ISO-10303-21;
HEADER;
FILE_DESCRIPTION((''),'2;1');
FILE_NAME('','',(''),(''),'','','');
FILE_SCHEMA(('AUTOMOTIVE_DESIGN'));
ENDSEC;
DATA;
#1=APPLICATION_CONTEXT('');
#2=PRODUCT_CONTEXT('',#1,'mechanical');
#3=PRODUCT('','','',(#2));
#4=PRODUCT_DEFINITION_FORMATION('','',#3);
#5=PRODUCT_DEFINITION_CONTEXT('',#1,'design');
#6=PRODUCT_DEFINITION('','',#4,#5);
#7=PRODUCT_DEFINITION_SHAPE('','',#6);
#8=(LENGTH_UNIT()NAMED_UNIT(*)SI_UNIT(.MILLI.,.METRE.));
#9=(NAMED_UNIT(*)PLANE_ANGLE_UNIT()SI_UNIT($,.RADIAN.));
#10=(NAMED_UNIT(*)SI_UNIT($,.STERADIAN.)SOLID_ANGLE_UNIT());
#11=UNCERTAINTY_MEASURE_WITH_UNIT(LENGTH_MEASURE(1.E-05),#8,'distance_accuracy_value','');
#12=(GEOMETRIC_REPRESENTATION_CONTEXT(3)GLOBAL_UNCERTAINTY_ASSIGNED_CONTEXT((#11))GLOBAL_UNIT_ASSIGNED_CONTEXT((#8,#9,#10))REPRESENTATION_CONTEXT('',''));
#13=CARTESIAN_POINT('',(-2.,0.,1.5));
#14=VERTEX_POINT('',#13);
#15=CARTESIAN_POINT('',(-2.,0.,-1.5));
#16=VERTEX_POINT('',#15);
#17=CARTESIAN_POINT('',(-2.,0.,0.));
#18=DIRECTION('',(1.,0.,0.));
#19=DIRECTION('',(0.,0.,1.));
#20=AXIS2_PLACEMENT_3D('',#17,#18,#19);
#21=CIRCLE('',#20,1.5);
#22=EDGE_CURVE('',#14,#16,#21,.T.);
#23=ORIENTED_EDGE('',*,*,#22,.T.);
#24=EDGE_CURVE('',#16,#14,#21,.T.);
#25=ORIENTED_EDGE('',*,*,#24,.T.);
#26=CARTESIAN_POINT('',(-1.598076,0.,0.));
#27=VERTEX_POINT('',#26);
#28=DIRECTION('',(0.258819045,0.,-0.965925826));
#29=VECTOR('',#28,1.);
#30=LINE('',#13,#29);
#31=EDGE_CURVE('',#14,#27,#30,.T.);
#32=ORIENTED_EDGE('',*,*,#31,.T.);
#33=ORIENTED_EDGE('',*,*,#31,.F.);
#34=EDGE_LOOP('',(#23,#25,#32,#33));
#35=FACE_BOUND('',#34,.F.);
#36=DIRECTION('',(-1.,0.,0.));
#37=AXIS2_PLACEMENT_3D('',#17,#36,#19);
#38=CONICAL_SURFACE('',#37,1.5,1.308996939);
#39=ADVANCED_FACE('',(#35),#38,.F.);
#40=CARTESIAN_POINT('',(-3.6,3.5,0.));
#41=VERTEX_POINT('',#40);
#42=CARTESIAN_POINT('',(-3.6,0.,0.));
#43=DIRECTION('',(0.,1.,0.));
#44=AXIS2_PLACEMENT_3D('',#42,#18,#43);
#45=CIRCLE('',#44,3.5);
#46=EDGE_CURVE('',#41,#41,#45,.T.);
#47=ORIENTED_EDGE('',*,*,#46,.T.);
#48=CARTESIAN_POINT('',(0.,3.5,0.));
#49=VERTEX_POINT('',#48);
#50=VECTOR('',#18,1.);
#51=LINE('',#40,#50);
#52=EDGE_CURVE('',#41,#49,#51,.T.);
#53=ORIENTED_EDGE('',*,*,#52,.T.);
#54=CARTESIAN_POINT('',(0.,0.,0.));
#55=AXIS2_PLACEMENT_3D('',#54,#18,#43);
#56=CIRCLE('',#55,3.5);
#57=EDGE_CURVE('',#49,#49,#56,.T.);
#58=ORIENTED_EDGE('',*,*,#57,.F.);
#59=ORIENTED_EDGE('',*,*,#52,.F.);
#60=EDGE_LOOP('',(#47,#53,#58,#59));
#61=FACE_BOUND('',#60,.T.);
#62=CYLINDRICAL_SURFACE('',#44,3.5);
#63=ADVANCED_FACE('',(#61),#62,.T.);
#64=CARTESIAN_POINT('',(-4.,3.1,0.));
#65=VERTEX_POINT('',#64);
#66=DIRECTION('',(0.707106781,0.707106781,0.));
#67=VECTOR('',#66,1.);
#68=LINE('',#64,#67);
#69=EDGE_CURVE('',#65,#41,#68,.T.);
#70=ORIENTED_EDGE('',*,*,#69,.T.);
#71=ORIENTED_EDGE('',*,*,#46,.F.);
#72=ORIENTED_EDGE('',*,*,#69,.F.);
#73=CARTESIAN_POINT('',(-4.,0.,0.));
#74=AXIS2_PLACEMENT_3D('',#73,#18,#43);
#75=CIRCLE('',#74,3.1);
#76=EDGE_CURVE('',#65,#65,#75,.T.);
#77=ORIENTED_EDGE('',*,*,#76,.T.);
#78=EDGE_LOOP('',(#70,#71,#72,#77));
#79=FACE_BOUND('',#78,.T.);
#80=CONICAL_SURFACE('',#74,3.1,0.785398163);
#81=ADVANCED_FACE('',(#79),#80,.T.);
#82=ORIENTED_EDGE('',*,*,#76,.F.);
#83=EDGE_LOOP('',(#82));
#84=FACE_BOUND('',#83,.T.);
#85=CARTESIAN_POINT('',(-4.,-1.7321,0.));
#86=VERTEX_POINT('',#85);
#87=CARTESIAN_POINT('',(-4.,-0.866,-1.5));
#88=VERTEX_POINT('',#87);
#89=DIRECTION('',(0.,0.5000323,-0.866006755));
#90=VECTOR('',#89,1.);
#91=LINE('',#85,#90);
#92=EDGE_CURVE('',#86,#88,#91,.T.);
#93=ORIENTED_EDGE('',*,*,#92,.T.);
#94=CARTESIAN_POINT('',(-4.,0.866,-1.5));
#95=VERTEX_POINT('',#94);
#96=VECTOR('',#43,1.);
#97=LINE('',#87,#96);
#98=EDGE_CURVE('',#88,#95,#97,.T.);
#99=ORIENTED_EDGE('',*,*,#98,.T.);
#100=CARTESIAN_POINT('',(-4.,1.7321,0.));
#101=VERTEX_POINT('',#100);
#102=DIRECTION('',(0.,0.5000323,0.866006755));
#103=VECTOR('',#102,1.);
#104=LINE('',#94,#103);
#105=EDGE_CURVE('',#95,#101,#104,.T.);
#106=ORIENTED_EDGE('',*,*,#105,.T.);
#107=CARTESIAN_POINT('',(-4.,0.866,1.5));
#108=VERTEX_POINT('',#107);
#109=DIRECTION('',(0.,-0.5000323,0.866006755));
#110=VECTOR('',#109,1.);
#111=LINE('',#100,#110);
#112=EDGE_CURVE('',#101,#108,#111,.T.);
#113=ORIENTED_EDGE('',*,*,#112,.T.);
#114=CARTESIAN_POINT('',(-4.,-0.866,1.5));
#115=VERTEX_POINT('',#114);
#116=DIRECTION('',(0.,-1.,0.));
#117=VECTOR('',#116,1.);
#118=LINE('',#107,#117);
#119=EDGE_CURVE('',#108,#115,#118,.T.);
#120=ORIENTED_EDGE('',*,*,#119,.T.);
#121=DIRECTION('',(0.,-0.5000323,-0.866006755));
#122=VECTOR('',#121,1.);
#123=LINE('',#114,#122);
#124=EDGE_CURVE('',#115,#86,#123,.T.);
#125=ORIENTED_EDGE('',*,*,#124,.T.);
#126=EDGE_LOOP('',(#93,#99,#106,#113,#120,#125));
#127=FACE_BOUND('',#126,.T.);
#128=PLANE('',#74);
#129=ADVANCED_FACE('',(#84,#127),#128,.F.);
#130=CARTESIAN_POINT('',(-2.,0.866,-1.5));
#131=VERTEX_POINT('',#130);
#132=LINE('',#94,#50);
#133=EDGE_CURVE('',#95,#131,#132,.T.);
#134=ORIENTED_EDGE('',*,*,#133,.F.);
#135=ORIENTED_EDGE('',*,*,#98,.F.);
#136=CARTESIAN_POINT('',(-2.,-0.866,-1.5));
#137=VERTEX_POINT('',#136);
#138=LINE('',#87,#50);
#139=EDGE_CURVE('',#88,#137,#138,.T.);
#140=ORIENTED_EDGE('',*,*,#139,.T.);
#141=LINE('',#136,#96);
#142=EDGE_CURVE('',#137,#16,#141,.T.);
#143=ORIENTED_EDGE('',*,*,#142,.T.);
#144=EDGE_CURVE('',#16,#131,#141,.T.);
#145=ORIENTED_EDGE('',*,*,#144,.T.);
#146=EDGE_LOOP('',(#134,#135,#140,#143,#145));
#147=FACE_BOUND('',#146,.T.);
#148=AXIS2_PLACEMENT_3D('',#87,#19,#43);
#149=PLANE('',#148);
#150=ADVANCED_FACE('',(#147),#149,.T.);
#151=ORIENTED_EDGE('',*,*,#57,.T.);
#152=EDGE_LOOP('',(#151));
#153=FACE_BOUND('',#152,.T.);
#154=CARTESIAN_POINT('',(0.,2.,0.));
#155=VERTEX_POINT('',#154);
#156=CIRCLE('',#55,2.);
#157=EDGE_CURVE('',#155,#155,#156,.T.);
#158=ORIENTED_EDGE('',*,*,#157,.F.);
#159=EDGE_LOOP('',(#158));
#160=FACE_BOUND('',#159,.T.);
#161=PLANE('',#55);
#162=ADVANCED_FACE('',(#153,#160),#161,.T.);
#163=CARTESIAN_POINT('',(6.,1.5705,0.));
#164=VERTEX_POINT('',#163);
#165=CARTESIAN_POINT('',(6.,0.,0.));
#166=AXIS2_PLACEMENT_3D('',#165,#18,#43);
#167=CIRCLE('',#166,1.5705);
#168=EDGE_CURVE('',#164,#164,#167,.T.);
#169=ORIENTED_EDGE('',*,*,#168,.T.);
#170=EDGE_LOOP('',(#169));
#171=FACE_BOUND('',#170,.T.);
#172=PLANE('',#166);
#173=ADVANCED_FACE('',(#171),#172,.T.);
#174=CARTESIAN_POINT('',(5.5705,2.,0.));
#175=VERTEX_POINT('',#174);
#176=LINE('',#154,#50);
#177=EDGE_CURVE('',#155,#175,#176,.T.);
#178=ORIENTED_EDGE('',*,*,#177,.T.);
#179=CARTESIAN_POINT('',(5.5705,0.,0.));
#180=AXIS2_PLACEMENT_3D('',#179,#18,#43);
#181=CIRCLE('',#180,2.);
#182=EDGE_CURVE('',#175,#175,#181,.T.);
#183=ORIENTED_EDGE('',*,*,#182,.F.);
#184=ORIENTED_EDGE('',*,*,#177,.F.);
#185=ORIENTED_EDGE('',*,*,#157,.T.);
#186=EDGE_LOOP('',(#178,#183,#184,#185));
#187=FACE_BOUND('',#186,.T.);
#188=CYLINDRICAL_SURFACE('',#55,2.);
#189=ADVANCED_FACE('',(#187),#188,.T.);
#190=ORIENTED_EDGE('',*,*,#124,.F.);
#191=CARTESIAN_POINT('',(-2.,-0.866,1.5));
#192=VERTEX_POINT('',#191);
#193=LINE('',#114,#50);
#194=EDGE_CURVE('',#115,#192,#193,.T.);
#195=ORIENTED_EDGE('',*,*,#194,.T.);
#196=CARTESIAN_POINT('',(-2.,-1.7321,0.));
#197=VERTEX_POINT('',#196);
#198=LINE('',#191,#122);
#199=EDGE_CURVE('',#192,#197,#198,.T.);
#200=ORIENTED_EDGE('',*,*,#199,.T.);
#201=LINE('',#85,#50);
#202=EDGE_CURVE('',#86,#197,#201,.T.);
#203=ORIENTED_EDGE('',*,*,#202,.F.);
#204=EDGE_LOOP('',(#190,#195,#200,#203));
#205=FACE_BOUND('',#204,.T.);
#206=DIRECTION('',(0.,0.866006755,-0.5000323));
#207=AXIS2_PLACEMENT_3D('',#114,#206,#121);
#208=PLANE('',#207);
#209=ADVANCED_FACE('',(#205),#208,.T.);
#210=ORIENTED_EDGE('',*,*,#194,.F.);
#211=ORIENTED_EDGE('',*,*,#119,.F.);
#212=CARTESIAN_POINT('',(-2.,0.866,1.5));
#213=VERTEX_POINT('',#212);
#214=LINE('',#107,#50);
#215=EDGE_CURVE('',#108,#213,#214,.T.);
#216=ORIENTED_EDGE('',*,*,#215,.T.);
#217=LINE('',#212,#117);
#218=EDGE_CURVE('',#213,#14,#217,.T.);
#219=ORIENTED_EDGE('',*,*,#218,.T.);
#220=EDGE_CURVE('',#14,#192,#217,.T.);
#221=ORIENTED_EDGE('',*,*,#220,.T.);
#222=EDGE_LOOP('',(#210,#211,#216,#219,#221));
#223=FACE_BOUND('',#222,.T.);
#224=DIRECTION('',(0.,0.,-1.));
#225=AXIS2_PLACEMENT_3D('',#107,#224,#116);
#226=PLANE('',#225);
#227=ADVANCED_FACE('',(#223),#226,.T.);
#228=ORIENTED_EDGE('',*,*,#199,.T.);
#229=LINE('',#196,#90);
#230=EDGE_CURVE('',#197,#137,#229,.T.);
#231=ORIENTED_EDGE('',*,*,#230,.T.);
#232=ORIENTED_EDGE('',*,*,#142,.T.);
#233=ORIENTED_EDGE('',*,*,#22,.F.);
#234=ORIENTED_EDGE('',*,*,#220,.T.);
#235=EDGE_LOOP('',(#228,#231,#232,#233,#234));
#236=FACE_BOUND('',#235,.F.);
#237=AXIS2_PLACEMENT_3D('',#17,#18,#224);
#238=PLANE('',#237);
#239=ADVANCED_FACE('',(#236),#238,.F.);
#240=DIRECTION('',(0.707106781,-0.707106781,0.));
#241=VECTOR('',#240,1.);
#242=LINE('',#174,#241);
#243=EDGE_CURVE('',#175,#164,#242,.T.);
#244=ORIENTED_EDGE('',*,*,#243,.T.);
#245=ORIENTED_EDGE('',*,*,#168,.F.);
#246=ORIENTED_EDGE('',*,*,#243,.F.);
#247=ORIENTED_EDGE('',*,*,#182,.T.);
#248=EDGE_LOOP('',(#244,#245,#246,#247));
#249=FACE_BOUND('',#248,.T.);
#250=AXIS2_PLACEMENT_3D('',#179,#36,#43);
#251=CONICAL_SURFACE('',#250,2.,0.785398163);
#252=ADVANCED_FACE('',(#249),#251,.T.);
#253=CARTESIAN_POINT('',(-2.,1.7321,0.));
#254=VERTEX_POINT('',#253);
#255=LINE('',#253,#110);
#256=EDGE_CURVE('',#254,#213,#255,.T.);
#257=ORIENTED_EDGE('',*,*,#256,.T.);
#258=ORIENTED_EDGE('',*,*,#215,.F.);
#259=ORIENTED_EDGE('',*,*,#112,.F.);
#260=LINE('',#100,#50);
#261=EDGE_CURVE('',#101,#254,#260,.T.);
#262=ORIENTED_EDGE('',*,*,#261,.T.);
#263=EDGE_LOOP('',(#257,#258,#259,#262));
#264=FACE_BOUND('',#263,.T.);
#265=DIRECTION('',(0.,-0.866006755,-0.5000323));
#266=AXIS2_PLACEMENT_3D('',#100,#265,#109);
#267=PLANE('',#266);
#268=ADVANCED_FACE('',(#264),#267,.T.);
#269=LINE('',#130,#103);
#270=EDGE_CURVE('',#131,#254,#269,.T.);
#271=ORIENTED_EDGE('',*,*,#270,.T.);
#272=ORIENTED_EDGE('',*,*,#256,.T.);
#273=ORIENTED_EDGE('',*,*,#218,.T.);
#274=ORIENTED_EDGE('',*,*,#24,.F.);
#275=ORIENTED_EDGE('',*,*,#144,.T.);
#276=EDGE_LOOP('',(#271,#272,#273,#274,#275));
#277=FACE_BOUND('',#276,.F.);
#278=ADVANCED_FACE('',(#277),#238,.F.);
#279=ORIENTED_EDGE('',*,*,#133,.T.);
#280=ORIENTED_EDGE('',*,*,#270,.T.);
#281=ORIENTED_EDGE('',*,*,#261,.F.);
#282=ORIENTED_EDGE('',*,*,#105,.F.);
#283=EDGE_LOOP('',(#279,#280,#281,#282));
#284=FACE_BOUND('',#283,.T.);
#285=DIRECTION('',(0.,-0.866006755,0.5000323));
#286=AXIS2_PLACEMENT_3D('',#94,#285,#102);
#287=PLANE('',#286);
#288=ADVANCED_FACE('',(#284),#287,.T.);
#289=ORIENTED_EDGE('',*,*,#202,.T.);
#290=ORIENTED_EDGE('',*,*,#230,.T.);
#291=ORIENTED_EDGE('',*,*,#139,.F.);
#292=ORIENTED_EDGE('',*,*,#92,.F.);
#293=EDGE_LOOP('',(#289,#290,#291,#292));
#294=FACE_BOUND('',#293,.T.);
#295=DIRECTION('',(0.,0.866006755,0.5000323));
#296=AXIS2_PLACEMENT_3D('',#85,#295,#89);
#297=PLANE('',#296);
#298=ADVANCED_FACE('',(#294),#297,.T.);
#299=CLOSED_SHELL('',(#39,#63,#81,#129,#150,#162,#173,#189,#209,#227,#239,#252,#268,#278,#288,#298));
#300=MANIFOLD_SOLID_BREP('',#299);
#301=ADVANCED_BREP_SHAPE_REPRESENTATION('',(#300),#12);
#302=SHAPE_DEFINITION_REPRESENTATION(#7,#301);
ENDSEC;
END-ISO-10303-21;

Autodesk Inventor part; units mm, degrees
sketch "Sketch_1" plane through (0, 0, 0) normal (0, 0, 1) x (1, 0, 0)
  line L0 (6, 0) -> (-4, 0)
  line L1 (-4, 0) -> (-4, 3.1)
  line L2 (-4, 3.1) -> (-3.6, 3.5)
  line L3 (-3.6, 3.5) -> (0, 3.5)
  line L4 (0, 3.5) -> (0, 2)
  line L5 (0, 2) -> (5.5705, 2)
  line L6 (5.5705, 2) -> (6, 1.5705)
  line L7 (6, 1.5705) -> (6, 0)
  line L8 (6, 0) -> (-4, 0)
revolve "Revolution1" add sketch "Sketch_1" angle 360 about axis through (6, 0, 0) along (1, 0, 0)
thread "Thread1" size "M4x0.7" class "6g" standard "ISO Metric profile" length 4.5705
sketch "Sketch2" plane through (-4, 0, 0) normal (-1, 0, 0) x (0, 0, 1)
  point P0 (0, 0)
hole "Hole1" at (-4, 0, 0) direction (1, 0, 0) diameter 3 depth 2 tip angle 150
sketch "Sketch_3" plane through (-4, 0, 0) normal (1, 0, 0) x (0, 0, -1)
  line L0 (-1.5, -0.866) -> (0, -1.7321)
  line L1 (0, -1.7321) -> (1.5, -0.866)
  line L2 (1.5, -0.866) -> (1.5, 0.866)
  line L3 (1.5, 0.866) -> (0, 1.7321)
  line L4 (0, 1.7321) -> (-1.5, 0.866)
  line L5 (-1.5, 0.866) -> (-1.5, -0.866)
extrude "Extrusion1" cut sketch "Sketch_3" along normal blind 2
ref_plane "bolt_to_nut_XY" through (6, 0, 0) normal (1, 0, 0) x (0, 0, -1)
ref_plane "bolt_to_nut_YZ" through (6, 0, 0) normal (0, 0, -1) x (0, 1, 0)
ref_plane "bolt_to_nut_ZX" through (6, 0, 0) normal (0, 1, 0) x (1, 0, 0)
ref_plane "screw1_XY" through (0, 0, 0) normal (1, 0, 0) x (0, 0, -1)
ref_plane "screw1_YZ" through (0, 0, 0) normal (0, 0, -1) x (0, 1, 0)
ref_plane "screw1_ZX" through (0, 0, 0) normal (0, 1, 0) x (1, 0, 0)
properties part number "CB4-6" material "鋼、炭素鋼"
